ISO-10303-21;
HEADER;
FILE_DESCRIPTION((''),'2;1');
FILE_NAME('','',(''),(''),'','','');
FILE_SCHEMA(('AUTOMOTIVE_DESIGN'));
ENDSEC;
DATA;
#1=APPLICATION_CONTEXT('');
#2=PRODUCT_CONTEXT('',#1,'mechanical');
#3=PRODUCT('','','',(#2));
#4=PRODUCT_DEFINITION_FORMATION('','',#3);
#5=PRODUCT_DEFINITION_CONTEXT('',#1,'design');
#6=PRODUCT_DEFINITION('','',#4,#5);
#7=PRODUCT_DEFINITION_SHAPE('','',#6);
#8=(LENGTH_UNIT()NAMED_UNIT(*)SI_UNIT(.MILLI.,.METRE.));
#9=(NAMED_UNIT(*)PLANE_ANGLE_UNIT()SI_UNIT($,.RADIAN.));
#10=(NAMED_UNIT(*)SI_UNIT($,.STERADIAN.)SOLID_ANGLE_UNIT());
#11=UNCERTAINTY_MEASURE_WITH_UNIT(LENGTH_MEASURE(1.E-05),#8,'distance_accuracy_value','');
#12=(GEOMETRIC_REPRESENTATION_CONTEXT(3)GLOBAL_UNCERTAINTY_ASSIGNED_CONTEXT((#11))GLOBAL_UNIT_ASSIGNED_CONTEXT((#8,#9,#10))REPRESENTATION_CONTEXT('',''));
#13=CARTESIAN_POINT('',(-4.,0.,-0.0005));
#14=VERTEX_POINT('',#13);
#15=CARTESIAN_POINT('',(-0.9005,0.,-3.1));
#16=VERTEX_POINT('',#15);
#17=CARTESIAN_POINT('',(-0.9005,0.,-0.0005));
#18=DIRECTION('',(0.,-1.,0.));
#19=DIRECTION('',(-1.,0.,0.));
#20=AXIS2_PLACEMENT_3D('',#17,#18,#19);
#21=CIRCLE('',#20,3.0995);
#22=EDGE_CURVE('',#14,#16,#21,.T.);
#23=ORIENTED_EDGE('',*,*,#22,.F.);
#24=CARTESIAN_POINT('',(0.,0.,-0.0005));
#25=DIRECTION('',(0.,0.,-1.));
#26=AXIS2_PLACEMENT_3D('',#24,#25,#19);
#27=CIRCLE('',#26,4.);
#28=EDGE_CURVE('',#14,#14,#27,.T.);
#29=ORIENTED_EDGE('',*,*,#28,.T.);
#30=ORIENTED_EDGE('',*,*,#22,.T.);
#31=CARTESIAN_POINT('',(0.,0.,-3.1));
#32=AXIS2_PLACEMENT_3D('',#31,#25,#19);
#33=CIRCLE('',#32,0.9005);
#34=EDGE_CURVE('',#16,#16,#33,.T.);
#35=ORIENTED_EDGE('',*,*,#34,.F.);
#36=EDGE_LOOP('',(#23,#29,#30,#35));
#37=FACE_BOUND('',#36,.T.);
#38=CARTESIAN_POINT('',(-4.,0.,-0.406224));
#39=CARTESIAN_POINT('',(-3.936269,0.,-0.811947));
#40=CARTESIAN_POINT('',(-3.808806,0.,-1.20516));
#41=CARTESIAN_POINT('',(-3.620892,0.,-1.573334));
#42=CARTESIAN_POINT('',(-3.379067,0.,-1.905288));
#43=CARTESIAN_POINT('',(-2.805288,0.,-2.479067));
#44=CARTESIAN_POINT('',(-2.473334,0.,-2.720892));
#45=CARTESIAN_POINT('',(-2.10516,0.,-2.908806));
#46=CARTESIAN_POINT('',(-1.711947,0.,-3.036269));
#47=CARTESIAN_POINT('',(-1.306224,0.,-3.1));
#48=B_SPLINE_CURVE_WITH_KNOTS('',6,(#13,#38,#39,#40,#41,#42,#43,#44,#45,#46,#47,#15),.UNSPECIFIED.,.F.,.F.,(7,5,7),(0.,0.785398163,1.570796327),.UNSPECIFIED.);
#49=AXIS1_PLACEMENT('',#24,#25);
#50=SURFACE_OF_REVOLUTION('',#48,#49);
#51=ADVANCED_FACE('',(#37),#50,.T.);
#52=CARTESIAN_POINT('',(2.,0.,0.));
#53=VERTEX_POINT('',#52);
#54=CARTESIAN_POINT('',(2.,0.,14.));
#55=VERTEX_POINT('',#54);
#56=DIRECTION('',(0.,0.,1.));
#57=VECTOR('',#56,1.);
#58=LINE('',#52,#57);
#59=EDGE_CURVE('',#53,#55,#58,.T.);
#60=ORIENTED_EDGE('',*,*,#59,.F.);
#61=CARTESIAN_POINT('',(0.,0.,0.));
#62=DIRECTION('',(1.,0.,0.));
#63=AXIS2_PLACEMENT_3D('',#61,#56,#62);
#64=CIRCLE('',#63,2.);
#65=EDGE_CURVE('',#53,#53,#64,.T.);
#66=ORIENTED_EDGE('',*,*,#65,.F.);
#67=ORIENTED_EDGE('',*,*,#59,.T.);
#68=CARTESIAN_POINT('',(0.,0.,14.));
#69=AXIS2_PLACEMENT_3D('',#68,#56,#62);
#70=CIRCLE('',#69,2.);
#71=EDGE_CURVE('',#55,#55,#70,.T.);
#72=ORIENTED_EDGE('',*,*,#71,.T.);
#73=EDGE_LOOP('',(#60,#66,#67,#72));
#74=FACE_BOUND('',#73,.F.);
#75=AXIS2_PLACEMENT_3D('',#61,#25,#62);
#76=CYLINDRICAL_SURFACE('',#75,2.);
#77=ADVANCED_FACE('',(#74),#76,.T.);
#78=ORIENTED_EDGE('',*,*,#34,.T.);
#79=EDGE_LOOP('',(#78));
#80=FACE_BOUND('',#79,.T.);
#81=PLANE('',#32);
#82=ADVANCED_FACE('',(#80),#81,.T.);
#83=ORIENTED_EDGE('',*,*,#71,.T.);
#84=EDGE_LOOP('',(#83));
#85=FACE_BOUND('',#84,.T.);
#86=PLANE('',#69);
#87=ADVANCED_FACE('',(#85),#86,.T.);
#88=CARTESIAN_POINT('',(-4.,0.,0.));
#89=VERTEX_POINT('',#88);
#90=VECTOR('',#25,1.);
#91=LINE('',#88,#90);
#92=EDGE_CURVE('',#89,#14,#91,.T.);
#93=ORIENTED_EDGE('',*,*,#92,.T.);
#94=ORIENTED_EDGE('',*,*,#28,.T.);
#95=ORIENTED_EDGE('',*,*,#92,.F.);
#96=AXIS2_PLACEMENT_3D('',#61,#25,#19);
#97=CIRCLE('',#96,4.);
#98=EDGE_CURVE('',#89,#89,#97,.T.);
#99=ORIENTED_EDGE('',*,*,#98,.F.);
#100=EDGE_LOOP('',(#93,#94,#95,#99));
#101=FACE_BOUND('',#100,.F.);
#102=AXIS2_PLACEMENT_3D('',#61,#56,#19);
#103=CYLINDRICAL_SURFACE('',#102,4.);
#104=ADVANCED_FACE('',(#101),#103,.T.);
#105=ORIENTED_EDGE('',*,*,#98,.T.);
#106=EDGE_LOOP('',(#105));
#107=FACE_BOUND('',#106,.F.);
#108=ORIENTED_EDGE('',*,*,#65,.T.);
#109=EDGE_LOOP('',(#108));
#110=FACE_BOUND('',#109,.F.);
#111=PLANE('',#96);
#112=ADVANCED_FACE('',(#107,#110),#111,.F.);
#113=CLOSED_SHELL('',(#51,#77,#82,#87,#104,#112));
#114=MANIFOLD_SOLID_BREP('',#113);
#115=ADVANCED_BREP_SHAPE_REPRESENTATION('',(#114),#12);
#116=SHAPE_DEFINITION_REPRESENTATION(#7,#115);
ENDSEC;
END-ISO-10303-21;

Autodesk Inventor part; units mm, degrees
ref_plane "YZ Plane" through (0, 0, 0) normal (1, 0, 0) x (0, 1, 0)
ref_plane "XZ Plane" through (0, 0, 0) normal (0, 1, 0) x (-1, 0, 0)
ref_plane "XY Plane" through (0, 0, 0) normal (0, 0, 1) x (1, 0, 0)
sketch "スケッチ1" plane through (0, 0, 0) normal (0, 0, 1) x (1, 0, 0)
  circle A0 centre (0, 0) radius 2
  dimension "d1" = 4
extrude "押し出し1" add sketch "スケッチ1" along normal blind 14
sketch "スケッチ2" plane through (0, 0, 0) normal (0, 0, -1) x (-1, 0, 0)
  circle A0 centre (0, 0) radius 2 projected
  circle A1 centre (0, 0) radius 4
  dimension "d4" = 8
extrude "押し出し2" add sketch "スケッチ2" along normal blind 3.1 contours A0 | A1
fillet "フィレット1" radius 3.1 1 edges at (4, 0, -3.1)
thread "ねじ1" size "M4x0.7" class "6g" standard "ANSI Metric M Profile" full length
properties part number "ネジ鍋m4,14" material "鋼、高強度、低合金"
